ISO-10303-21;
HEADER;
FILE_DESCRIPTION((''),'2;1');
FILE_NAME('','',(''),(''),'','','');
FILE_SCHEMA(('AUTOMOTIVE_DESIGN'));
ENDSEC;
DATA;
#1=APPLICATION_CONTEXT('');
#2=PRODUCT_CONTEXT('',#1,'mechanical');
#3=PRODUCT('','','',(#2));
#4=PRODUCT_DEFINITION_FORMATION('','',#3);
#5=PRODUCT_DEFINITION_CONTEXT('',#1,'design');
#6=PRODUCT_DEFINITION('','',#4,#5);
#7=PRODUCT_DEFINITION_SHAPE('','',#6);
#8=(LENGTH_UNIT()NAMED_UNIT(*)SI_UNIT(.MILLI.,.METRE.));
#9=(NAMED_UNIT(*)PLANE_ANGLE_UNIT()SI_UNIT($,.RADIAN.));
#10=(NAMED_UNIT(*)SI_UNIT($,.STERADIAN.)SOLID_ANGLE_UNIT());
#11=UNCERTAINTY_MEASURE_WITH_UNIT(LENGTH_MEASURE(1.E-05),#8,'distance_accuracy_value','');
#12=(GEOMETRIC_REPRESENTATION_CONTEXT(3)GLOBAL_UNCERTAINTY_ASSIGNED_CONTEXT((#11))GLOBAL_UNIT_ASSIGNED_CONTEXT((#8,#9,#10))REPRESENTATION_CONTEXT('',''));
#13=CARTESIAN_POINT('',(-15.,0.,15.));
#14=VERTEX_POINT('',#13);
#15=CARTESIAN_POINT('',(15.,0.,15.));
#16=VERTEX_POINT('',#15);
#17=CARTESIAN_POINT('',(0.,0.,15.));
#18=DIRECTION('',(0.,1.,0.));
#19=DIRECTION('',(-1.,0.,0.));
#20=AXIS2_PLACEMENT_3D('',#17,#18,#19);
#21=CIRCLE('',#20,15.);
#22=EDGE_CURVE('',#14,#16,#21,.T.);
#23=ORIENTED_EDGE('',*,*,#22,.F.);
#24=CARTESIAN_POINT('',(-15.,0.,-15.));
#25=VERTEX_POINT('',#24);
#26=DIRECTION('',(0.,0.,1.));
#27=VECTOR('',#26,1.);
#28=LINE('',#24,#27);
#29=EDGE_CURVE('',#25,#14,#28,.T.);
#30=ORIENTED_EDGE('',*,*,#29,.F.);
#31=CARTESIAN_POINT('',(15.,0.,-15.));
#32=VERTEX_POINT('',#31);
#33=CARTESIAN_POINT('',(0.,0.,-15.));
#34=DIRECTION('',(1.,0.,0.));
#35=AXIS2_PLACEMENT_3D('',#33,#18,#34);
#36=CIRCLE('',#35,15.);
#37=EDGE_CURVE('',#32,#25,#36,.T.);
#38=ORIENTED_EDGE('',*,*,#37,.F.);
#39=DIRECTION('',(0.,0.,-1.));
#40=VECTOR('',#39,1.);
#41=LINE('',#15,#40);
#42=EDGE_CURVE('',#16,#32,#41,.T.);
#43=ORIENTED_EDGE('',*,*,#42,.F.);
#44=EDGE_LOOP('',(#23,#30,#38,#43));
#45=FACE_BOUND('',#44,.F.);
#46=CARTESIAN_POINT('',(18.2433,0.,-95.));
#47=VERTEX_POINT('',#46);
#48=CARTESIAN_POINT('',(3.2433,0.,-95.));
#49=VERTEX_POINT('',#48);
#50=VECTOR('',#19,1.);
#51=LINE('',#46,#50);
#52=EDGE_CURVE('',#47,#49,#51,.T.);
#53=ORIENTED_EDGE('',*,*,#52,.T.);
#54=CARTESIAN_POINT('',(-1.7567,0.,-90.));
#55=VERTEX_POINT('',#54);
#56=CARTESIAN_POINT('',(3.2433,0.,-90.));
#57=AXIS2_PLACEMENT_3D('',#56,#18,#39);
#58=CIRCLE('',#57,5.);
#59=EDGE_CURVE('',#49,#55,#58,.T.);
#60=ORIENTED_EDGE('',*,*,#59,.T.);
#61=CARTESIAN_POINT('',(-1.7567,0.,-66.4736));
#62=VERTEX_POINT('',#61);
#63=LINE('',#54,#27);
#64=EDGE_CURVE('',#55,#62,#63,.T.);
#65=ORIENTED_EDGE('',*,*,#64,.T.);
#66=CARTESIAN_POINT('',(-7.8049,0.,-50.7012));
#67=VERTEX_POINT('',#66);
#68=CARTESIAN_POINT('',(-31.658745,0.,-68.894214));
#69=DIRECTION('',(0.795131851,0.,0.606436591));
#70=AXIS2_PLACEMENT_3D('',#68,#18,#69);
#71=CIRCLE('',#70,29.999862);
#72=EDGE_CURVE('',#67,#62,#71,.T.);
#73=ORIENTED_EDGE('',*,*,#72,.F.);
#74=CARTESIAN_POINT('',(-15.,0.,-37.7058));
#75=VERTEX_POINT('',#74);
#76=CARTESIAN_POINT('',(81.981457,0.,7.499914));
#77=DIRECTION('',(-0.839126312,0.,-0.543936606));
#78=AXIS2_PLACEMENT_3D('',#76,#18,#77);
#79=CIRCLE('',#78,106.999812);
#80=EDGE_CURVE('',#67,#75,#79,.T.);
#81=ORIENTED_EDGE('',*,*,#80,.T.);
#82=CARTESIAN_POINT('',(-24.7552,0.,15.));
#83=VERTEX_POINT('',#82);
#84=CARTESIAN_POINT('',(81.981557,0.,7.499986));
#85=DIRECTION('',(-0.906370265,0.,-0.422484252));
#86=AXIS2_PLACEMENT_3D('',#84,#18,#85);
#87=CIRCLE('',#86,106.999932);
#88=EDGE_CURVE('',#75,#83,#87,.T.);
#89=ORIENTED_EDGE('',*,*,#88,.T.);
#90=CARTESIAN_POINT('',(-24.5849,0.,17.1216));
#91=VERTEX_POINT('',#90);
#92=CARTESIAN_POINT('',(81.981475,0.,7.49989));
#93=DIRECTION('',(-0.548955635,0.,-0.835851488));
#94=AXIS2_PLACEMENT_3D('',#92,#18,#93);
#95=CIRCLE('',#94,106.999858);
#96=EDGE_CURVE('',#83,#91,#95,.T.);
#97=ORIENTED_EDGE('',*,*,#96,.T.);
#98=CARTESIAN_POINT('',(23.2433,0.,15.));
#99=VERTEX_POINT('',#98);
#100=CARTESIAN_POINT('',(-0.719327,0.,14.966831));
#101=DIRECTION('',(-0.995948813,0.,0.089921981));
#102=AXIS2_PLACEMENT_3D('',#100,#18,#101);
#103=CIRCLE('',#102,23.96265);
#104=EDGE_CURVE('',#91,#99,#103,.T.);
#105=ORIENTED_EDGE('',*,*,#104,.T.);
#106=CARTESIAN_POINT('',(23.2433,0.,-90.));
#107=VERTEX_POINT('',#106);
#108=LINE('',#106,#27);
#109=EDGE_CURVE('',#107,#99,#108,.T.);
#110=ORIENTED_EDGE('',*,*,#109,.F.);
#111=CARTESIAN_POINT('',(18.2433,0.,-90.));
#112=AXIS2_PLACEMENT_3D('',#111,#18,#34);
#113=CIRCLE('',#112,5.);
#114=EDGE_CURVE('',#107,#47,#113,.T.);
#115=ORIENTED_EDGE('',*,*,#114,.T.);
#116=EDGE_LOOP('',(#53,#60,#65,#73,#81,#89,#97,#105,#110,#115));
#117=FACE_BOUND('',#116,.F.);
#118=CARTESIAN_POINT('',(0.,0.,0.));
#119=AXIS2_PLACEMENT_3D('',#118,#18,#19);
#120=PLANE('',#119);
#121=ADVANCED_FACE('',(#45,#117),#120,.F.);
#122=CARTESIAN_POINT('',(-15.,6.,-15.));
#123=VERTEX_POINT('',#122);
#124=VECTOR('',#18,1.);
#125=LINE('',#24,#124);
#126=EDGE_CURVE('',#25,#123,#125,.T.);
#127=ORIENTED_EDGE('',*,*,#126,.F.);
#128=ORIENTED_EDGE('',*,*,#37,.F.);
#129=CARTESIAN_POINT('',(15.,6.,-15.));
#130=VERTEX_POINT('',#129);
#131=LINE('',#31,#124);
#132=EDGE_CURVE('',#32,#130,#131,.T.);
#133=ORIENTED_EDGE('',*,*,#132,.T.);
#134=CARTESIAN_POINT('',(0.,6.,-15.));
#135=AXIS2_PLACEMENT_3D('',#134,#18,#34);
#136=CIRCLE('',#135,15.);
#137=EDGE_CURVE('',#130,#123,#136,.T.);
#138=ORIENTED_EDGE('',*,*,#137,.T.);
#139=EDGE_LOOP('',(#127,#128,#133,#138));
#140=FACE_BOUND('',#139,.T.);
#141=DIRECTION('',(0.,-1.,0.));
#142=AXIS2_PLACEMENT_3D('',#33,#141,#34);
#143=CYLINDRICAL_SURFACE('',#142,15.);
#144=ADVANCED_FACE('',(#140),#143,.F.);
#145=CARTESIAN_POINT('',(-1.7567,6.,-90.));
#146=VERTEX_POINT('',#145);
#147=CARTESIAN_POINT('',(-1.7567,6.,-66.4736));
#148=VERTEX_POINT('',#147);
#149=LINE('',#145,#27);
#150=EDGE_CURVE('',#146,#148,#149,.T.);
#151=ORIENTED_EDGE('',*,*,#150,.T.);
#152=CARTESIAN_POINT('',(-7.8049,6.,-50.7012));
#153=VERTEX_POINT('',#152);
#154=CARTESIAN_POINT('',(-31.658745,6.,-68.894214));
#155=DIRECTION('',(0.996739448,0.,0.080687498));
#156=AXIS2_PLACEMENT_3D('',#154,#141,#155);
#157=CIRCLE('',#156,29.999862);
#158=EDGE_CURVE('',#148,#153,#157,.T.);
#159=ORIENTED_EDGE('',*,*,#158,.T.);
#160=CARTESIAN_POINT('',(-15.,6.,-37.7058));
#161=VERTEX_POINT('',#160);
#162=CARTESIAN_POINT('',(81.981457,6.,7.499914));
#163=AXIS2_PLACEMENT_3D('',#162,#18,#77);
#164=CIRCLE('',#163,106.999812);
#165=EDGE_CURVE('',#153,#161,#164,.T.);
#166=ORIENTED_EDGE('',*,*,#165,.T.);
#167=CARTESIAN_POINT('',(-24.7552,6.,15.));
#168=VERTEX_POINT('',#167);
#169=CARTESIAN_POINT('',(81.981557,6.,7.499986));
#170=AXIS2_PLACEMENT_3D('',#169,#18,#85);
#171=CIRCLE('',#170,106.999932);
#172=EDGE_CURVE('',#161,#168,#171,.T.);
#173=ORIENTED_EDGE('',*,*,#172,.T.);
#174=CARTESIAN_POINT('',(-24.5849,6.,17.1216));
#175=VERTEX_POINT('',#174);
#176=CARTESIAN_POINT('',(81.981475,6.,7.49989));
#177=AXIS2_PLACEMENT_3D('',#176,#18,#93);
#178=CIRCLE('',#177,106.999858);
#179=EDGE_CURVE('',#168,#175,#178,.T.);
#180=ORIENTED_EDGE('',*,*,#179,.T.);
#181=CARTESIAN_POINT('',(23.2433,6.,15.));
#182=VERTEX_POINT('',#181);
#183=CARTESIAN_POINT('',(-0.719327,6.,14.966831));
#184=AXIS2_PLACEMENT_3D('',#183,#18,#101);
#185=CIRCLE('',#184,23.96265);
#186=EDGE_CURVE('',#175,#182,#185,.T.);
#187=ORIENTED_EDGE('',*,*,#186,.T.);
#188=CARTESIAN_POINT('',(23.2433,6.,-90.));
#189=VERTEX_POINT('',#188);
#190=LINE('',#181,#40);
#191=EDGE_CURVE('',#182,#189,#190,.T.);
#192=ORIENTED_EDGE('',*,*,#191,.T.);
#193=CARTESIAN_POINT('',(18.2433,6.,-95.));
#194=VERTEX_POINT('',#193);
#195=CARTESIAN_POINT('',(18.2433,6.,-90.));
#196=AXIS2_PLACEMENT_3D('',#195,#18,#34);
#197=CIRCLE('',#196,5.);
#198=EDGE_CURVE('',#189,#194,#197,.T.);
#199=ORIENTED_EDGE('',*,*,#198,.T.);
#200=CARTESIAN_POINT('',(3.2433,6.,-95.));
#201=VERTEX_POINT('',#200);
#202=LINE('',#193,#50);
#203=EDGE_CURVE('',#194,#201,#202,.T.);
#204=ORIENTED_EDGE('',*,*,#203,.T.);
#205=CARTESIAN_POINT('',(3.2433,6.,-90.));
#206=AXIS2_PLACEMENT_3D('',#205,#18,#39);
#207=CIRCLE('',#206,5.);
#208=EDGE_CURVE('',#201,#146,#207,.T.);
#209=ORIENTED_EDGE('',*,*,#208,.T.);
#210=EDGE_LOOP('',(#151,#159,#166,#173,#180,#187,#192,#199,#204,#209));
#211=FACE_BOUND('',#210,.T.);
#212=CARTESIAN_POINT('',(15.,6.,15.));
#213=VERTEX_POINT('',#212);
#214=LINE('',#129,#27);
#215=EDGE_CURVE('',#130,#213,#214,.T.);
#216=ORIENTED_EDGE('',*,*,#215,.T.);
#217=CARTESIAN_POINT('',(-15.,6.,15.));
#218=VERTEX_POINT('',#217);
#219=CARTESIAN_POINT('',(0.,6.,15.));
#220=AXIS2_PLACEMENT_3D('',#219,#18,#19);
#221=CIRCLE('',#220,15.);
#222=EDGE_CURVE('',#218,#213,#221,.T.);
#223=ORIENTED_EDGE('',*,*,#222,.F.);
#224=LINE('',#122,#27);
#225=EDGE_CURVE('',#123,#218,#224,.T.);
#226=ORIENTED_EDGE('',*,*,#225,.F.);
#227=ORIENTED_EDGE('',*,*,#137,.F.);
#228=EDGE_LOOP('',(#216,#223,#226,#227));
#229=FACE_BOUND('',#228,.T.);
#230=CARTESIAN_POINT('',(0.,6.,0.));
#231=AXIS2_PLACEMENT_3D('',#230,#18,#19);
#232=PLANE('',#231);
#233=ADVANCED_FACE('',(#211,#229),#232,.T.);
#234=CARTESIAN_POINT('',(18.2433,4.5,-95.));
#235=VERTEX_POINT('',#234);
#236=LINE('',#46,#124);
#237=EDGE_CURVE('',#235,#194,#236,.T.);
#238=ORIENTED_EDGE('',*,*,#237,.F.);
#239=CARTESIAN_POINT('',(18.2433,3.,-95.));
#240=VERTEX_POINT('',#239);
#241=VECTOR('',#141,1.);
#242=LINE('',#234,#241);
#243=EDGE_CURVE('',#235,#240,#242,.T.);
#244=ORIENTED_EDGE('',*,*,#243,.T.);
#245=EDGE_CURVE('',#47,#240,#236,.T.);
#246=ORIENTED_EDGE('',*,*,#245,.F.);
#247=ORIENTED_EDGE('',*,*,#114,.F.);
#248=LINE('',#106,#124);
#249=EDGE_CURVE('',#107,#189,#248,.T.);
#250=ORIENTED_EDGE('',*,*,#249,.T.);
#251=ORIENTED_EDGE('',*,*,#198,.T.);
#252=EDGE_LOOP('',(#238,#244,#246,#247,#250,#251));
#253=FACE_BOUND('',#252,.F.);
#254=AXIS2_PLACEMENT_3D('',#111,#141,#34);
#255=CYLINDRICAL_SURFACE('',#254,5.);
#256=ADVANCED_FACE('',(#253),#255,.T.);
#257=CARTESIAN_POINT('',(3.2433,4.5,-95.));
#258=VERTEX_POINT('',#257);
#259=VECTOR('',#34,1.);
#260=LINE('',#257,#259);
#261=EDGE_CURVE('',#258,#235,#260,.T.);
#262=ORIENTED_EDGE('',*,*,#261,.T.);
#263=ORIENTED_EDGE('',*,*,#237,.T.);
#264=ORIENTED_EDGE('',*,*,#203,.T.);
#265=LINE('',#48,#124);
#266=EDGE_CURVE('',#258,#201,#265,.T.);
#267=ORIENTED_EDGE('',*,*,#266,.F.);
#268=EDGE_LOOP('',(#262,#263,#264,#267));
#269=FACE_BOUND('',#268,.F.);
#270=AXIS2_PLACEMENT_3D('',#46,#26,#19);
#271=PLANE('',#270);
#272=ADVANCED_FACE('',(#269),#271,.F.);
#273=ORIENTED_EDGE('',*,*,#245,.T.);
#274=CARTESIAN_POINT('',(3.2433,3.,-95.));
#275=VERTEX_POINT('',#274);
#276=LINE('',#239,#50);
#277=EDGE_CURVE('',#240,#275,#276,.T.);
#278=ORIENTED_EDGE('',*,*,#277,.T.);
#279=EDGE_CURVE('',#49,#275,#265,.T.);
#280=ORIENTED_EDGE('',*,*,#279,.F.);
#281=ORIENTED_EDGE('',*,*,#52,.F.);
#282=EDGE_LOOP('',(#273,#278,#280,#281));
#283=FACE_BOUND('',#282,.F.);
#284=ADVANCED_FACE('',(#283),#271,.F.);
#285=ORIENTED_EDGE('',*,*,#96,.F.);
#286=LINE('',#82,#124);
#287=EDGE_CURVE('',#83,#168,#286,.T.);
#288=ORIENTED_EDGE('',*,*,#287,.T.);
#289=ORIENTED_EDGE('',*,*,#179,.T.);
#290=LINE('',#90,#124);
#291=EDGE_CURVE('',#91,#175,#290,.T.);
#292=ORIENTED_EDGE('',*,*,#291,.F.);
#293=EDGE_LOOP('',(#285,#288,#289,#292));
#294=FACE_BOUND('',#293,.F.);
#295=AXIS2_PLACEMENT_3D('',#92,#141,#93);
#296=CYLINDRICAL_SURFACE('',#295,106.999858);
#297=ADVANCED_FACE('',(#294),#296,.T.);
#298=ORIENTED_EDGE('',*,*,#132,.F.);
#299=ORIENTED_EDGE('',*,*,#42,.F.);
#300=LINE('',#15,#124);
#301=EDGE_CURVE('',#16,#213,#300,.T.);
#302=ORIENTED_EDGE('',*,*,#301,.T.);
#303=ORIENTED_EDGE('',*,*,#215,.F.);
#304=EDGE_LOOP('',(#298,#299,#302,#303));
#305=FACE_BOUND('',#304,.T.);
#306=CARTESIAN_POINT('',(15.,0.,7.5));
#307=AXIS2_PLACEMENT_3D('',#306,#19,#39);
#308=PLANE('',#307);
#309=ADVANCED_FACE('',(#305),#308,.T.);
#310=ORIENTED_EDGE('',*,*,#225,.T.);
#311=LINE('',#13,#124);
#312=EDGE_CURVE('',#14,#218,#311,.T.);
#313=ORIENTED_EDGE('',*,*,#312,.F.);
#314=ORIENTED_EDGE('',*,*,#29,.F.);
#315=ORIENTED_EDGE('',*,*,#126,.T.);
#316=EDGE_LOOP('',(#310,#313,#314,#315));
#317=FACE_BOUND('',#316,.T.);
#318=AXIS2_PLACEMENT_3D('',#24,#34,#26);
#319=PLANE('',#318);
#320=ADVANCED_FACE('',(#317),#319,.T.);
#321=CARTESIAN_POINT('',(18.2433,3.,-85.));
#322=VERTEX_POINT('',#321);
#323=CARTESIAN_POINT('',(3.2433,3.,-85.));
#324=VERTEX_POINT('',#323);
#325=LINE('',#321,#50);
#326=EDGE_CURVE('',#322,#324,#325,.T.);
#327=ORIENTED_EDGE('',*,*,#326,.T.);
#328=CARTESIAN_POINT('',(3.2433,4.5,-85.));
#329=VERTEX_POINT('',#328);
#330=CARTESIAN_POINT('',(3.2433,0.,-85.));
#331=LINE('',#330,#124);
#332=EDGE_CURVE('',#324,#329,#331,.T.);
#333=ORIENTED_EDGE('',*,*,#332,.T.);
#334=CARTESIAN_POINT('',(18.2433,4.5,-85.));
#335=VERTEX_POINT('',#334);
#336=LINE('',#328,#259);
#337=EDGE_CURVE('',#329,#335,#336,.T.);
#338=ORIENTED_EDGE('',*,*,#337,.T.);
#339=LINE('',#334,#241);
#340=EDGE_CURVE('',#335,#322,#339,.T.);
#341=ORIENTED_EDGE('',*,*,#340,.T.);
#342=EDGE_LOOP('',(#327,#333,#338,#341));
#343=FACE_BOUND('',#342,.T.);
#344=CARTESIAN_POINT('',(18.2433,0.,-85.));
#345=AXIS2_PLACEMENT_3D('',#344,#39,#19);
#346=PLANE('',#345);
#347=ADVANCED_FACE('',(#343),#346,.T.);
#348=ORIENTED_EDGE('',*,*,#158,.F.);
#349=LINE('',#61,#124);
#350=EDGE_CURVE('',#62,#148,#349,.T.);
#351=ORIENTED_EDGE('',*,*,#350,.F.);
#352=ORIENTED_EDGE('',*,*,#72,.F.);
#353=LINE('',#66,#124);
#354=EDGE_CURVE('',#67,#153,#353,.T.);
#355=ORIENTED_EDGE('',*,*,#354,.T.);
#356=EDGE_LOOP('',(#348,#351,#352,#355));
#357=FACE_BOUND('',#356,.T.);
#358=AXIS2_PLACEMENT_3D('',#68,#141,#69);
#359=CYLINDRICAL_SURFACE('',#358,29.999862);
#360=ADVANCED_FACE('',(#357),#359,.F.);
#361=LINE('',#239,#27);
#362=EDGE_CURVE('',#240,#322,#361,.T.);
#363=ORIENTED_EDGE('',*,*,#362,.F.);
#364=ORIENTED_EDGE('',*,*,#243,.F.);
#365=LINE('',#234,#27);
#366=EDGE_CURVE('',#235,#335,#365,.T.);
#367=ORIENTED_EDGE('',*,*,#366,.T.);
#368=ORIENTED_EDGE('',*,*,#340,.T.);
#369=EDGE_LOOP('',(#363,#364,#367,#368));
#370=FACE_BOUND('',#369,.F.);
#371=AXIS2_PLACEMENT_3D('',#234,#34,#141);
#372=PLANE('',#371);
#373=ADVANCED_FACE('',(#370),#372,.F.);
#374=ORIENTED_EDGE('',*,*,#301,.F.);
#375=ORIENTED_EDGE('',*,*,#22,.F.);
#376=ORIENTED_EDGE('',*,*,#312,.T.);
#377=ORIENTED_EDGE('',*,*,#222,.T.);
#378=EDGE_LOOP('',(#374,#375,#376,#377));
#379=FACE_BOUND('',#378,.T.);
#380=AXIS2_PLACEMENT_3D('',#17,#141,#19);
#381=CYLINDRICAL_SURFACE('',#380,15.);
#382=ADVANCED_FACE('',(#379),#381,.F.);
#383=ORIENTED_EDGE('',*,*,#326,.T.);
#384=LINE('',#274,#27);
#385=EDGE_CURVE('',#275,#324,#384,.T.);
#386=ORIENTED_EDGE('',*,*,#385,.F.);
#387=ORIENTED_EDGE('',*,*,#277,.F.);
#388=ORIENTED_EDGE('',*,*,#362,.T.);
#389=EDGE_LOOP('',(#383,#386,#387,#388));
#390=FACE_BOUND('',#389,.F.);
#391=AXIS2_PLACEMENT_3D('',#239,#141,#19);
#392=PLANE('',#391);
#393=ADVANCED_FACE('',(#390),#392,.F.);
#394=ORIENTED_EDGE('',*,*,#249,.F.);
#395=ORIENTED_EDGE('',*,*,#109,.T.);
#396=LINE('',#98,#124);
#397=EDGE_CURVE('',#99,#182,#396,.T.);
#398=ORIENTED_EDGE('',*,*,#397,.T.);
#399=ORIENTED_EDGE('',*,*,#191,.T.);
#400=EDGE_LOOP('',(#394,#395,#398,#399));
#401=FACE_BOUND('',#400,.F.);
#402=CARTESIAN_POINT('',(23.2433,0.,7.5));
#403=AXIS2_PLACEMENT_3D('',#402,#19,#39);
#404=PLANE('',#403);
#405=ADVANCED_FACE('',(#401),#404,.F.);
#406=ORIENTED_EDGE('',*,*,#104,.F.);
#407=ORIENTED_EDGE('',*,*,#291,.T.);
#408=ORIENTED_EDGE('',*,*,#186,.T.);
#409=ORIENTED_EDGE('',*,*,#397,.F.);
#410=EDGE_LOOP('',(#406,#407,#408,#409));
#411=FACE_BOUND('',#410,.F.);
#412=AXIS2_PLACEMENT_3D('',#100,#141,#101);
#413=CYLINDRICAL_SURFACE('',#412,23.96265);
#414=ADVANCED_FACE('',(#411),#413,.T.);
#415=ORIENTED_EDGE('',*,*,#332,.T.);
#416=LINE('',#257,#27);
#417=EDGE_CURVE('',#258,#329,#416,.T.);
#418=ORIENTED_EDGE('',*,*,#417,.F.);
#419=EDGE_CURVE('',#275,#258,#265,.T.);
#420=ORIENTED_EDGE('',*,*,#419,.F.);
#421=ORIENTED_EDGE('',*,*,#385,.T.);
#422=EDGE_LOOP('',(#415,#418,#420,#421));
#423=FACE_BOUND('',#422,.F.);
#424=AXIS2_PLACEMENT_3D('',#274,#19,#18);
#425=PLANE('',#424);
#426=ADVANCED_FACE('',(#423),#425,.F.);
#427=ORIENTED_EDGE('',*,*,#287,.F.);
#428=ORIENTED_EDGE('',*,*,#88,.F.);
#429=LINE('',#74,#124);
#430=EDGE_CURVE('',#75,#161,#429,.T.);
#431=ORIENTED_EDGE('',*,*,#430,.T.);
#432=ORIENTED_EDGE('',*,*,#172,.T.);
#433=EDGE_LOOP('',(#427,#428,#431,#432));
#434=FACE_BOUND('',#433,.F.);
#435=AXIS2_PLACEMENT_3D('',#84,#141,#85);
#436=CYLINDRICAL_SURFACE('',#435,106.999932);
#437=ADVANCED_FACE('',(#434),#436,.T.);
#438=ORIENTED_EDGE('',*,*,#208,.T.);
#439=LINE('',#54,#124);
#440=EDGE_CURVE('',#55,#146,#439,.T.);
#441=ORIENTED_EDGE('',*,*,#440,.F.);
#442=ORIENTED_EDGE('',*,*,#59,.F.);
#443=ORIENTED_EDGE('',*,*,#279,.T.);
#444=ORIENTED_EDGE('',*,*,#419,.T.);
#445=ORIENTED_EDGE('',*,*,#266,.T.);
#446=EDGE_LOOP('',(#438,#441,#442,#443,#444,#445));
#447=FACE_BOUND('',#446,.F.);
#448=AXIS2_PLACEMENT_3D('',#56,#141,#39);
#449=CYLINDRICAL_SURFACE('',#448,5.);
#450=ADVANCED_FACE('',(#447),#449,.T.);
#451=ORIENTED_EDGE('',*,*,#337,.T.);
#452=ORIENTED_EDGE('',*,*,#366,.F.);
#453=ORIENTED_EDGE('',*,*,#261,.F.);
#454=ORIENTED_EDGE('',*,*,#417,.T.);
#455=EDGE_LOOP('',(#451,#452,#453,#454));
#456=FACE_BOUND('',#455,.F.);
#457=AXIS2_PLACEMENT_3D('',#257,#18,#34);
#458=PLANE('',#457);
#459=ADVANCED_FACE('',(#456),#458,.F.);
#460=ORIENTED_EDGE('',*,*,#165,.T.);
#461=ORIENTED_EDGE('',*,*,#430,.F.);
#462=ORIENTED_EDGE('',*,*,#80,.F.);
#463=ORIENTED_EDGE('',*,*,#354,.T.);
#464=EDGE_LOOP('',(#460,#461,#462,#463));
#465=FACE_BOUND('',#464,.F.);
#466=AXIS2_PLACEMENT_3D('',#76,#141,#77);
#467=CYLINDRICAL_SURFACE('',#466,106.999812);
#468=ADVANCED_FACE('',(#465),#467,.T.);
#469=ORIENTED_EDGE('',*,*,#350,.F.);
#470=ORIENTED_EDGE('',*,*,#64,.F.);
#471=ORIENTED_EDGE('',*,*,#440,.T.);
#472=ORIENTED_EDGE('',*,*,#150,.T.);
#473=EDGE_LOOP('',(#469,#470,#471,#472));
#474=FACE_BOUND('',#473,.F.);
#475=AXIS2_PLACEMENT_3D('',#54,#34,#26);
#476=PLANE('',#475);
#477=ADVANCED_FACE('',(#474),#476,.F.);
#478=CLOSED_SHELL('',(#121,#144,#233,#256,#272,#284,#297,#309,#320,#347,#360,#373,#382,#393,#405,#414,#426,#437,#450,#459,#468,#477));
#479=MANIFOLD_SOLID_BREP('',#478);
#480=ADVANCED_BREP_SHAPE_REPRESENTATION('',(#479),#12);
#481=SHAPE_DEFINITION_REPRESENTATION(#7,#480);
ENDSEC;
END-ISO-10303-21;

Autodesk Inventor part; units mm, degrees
ref_plane "YZ Plane" through (0, 0, 0) normal (1, 0, 0) x (0, 1, 0)
ref_plane "XZ Plane" through (0, 0, 0) normal (0, 1, 0) x (-1, 0, 0)
ref_plane "XY Plane" through (0, 0, 0) normal (0, 0, 1) x (1, 0, 0)
sketch "草圖1" plane through (0, 0, 0) normal (0, 1, 0) x (-1, 0, 0)
  line L0 (15, 15) -> (-15, 15)
  line L1 (-15, 15) -> (-15, -15)
  line L2 (-15, -15) -> (15, -15)
  line L3 (15, -15) -> (15, 15)
  line L4 (15, 15) -> (-15, -15) construction
  line L5 (-15, 15) -> (15, -15) construction
  arc A0 (15, 15) -> (-15, 15) centre (0, 15) ccw
  arc A1 (-15, -15) -> (15, -15) centre (0, -15) ccw
  line L6 (0, 15) -> (15, 15)
  line L7 (0, 15) -> (-15, 15)
  arc A2 (24.5849, 17.1216) -> (-23.2433, 15) centre (0.7193, 14.9668) ccw
  line L8 (-23.2433, 15) -> (-23.2433, -90)
  line L9 (25, 15) -> (15, 15)
  line L10 (0, -15) -> (-5, -15)
  line L11 (-18.2433, -95) -> (-3.2433, -95)
  line L12 (-18.2433, -95) -> (-18.2433, -90)
  arc A3 (-23.2433, -90) -> (-18.2433, -95) centre (-18.2433, -90) ccw
  line L13 (-3.2433, -95) -> (-3.2433, -90)
  arc A4 (-3.2433, -95) -> (1.7567, -90) centre (-3.2433, -90) ccw
  arc A5 (7.8049, -50.7012) -> (15, -37.7058) centre (-81.9816, 7.5) ccw
  line L14 (1.7567, -90) -> (1.7567, -66.4736)
  arc A6 (15, -37.7058) -> (24.7552, 15) centre (-81.9816, 7.5) ccw
  arc A7 (7.8049, -50.7012) -> (1.7567, -66.4736) centre (31.6589, -68.8943) ccw
  line L15 (31.6589, -68.8943) -> (3.6477, -58.1529)
  line L16 (0.0146, 7.5) -> (-128.2348, 7.5)
  arc A8 (-23.2433, -81.9361) -> (24.5849, 17.1216) centre (-81.9816, 7.5) ccw
  arc A9 (24.7552, 15) -> (24.5849, 17.1216) centre (-81.9816, 7.5) ccw
  line L17 (-23.2433, -90) -> (1.7567, -90)
  point P0 (0, 0)
  point P1 (24.7552, 15)
  dimension "d0" = 30
  dimension "d1" = 30
  dimension "d2" = 25
  dimension "d5" = 10
  dimension "d6" = 5
  dimension "d9" = 5
  dimension "d10" = 105
  dimension "d11" = 5
  dimension "d12" = 214
  dimension "d16" = 30
  dimension "d17" = 7.5
  dimension "d22" = 25
extrude "擠出1" add sketch "草圖1" along normal blind 6 contours L9 A6 A5 A7 A8 L8 L16 L1 A1 L3 | A0 L1 L16 L8 A2 A8 L9 | A8 A7 L14 L17 L8 | L17 L12 A3 | L12 L17 L13 L11 | L13 L17 A4
sketch "草圖4" plane through (18.2433, 0, -95) normal (0, 0, -1) x (-1, 0, 0)
  line L0 (15, 0) -> (15, 6) projected
  line L1 (15, 0) -> (15, 6)
  line L2 (3.2433, 6) -> (33.2433, 6) projected
  line L3 (15, 0) -> (15, 3)
  line L4 (15, 3) -> (15, 1.5)
  line L5 (0, 3) -> (15, 3)
  line L6 (15, 3) -> (15, 4.5)
  line L7 (15, 4.5) -> (0, 4.5)
  line L8 (0, 4.5) -> (0, 3)
  line L9 (0, 3) -> (15, 3)
  point P0 (18.2433, 0)
  dimension "d28" = 1.5
extrude "擠出3" cut sketch "草圖4" against normal blind 10
properties part number "剪刀握柄"
